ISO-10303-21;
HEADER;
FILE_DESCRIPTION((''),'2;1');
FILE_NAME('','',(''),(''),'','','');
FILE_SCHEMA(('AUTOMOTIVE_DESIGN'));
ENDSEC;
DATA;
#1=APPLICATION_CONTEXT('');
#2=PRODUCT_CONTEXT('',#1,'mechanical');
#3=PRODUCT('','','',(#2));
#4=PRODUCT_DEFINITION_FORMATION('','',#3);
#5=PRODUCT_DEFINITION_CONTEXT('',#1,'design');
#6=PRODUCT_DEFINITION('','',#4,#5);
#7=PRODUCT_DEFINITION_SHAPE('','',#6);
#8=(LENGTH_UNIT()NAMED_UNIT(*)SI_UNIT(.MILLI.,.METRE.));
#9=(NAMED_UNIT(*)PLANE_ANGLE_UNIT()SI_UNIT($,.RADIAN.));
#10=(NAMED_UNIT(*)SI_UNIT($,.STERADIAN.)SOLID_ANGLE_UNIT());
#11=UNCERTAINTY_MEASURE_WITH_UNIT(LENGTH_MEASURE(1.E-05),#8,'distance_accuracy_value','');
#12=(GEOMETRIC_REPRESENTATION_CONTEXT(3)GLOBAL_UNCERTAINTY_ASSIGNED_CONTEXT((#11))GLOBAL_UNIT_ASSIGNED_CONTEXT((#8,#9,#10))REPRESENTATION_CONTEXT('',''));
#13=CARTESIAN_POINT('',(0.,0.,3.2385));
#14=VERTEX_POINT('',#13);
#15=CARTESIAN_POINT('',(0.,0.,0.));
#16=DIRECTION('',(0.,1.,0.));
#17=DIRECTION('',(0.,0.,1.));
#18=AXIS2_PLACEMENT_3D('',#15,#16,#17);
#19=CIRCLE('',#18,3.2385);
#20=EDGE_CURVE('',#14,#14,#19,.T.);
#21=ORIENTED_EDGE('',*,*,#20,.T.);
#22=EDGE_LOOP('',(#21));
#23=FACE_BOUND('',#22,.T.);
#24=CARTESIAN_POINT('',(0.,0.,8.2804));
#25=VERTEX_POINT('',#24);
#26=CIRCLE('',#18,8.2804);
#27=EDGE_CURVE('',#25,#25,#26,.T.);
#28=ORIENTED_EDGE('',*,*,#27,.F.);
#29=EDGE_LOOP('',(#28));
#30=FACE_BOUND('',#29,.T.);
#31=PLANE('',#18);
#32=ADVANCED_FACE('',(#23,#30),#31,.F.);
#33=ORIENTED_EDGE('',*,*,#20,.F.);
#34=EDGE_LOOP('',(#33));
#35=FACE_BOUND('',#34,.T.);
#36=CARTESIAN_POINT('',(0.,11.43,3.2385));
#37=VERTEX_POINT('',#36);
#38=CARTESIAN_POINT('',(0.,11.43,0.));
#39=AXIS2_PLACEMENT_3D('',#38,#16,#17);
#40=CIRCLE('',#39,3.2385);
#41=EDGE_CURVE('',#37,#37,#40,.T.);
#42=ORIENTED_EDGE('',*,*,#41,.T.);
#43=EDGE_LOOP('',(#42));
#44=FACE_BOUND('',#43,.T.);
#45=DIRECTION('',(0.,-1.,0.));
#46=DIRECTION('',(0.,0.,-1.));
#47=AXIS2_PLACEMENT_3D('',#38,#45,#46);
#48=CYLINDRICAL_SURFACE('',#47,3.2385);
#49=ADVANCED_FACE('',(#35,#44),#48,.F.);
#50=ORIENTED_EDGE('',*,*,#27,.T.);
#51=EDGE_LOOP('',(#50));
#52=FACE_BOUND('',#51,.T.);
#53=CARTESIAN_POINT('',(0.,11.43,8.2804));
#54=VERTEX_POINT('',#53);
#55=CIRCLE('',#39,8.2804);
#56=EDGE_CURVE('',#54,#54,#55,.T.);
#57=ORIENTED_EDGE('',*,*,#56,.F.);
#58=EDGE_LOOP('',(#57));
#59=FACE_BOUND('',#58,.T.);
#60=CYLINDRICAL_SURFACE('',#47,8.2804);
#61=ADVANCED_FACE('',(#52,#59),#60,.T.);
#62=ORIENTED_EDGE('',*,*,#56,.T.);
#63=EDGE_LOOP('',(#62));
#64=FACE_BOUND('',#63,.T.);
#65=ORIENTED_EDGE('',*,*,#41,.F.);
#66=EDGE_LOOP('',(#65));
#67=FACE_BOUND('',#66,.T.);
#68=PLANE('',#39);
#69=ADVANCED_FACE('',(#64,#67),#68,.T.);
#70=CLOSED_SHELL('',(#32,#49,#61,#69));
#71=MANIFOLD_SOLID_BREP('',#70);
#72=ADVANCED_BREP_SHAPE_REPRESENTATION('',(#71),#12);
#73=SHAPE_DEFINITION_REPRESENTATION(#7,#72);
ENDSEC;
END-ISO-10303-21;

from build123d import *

# Parameters (mm, degrees)
SKETCH1_R           = 8.2804
SKETCH1_R_2         = 3.2385
BOSS_EXTRUDE1_DEPTH = 11.43


with BuildPart() as part:
    # Sketch1 → Boss-Extrude1 (new body)
    with BuildSketch(Plane(origin=(0, 0, 0), x_dir=(1, 0, 0), z_dir=(0, 1, 0))):
        Circle(SKETCH1_R)
        Circle(SKETCH1_R_2, mode=Mode.SUBTRACT)
    extrude(amount=BOSS_EXTRUDE1_DEPTH)


solid = part.part
